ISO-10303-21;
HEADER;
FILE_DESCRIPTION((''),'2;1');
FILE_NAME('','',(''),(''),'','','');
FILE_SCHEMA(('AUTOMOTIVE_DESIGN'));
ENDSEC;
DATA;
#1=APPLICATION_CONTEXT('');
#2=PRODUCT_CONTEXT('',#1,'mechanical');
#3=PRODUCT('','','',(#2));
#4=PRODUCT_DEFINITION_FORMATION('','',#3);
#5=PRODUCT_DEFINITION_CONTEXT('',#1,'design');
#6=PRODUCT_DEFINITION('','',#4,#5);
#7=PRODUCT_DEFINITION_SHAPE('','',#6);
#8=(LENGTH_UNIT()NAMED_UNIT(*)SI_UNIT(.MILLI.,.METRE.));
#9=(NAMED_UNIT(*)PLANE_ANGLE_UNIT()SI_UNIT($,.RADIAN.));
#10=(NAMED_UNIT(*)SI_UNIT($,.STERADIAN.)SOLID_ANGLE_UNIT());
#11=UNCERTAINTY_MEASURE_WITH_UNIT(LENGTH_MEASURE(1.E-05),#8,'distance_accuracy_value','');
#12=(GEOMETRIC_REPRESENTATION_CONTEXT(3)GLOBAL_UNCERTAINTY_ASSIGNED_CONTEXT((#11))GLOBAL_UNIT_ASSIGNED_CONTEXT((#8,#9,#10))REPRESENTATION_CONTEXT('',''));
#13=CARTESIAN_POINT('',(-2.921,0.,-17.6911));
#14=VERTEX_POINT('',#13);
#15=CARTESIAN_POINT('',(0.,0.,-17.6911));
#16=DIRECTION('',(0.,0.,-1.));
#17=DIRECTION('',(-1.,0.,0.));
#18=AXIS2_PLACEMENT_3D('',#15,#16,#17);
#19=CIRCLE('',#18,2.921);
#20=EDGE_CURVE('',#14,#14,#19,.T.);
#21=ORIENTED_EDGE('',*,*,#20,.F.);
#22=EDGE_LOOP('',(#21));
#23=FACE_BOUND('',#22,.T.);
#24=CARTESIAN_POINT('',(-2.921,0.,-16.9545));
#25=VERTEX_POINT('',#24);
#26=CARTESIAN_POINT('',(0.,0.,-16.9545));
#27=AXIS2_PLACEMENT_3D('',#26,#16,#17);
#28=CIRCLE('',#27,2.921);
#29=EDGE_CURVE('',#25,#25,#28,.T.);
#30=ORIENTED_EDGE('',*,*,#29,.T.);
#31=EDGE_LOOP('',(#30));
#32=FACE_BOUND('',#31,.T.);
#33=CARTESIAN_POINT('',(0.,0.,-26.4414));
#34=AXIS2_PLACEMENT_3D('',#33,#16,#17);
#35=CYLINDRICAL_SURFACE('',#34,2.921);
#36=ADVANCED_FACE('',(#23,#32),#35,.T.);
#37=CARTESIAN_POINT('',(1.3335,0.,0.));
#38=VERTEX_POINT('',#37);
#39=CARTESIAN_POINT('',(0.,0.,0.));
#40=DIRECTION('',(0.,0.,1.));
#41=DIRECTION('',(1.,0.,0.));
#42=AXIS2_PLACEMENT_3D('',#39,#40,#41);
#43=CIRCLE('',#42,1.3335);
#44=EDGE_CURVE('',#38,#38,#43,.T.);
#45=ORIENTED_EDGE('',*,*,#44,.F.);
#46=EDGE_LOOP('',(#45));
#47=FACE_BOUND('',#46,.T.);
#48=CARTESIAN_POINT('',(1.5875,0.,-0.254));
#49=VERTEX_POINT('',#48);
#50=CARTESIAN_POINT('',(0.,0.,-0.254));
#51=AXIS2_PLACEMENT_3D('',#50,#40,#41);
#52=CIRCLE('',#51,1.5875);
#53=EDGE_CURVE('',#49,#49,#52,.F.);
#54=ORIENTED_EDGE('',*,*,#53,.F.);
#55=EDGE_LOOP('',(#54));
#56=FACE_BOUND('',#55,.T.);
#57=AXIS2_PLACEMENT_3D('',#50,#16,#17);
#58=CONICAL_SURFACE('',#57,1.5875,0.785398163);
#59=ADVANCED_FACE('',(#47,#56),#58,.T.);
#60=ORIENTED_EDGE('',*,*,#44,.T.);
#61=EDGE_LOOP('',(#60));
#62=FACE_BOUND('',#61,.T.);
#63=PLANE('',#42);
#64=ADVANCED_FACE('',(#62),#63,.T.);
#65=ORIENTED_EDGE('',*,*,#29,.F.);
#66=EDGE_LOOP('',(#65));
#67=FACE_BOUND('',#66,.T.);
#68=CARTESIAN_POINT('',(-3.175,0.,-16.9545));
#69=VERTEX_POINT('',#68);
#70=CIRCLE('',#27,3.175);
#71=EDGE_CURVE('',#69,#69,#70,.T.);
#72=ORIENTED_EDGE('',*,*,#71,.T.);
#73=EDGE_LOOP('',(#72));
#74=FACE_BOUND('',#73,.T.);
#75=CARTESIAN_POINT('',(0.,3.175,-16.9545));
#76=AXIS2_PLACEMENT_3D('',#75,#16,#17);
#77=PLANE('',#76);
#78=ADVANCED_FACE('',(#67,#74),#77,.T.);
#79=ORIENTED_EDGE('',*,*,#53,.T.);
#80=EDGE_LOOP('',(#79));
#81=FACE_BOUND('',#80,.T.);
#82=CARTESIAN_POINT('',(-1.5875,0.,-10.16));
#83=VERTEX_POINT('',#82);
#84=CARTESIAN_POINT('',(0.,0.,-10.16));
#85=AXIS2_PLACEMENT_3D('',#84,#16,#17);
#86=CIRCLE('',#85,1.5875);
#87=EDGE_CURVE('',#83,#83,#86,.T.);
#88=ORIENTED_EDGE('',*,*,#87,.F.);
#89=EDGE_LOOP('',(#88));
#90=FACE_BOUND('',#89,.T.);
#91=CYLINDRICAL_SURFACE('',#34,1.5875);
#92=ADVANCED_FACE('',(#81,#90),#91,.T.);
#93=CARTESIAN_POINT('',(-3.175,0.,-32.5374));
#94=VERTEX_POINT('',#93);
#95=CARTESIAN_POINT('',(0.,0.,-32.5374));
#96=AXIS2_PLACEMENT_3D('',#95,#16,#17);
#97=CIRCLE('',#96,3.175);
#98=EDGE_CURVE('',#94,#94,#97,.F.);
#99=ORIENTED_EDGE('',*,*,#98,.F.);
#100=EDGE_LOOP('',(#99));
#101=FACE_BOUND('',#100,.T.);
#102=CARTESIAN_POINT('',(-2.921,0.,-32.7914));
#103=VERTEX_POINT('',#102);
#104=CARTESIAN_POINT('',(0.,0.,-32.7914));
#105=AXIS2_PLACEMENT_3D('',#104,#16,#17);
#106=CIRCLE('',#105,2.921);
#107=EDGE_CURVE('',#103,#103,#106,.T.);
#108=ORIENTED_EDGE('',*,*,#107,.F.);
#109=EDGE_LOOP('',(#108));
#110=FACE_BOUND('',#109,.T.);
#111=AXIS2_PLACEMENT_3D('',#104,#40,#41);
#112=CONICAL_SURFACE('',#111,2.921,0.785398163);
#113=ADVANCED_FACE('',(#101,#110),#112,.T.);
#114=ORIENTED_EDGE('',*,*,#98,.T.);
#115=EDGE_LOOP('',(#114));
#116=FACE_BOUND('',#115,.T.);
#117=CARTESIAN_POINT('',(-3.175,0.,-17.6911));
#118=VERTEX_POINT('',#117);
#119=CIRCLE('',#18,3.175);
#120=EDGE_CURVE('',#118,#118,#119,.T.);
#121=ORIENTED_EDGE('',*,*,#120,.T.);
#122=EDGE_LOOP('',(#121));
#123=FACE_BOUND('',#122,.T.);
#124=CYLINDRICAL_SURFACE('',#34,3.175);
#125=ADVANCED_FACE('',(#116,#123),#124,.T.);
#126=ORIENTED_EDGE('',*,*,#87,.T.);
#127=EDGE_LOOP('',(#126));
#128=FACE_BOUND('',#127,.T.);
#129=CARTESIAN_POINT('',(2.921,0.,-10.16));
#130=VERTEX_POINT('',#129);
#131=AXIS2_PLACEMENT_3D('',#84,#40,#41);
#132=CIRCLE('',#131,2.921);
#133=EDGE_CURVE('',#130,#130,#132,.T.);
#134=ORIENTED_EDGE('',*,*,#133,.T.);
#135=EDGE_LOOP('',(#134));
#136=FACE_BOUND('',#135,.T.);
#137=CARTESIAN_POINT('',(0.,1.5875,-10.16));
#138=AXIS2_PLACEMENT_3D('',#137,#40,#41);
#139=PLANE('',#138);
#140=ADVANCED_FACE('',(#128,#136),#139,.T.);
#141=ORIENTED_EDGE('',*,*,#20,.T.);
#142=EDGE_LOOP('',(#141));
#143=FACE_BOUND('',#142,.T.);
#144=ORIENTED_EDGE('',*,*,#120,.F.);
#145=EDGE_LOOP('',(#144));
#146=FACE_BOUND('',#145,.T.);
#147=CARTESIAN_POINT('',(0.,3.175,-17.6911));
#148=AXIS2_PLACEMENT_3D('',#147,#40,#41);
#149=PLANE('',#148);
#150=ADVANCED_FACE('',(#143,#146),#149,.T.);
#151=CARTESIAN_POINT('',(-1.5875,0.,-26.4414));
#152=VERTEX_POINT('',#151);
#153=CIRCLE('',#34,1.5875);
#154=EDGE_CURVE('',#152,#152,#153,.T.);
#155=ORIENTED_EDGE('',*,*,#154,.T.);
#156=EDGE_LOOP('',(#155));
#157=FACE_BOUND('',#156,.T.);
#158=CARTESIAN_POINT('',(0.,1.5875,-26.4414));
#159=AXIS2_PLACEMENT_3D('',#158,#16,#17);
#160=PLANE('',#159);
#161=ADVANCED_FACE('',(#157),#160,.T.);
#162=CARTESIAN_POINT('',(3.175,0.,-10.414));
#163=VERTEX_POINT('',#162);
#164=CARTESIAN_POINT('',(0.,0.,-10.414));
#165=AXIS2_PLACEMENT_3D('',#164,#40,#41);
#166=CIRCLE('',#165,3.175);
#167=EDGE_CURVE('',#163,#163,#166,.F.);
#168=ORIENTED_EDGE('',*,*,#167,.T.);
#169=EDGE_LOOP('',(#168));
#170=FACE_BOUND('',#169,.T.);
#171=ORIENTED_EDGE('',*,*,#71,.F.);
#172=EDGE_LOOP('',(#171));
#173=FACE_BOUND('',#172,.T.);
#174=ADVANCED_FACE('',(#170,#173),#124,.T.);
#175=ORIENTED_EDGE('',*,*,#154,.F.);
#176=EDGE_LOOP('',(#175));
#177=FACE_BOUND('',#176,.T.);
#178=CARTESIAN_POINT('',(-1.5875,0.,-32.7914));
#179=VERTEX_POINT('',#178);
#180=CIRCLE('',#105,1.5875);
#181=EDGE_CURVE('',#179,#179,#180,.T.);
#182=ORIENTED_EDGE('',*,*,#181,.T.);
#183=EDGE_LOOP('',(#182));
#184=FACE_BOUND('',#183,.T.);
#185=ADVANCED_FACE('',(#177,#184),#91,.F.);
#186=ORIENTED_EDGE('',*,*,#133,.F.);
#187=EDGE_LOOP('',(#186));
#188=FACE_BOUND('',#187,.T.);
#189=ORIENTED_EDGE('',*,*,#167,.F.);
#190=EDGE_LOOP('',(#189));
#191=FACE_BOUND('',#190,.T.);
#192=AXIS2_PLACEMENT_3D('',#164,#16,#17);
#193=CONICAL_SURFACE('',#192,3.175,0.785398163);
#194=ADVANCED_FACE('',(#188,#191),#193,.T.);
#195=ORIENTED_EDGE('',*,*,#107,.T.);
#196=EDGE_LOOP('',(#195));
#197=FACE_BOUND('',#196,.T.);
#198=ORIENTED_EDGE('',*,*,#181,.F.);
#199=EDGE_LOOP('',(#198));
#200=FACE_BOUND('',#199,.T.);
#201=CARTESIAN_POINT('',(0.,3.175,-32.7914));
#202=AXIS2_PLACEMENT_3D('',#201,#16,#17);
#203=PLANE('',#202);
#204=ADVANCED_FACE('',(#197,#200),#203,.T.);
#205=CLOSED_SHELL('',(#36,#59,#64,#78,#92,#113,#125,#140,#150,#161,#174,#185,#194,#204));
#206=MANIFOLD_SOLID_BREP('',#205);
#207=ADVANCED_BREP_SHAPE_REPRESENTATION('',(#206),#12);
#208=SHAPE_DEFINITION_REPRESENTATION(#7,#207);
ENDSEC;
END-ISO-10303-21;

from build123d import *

# Parameters (mm, degrees)
CHAMFER1_SIZE = 0.254


with BuildPart() as part:
    # Sketch1 → Revolve1 (revolve)
    with BuildSketch(Plane(origin=(0, 0, 0), x_dir=(0, 0, -1), z_dir=(1, 0, 0)), mode=Mode.PRIVATE) as revolve1_sk:
        Polygon((0, 0), (0, 1.5875), (10.16, 1.5875), (10.16, 3.175), (16.9545, 3.175), (16.9545, 2.921), (17.6911, 2.921), (17.6911, 3.175), (32.7914, 3.175), (32.7914, 1.5875), (26.4414, 1.5875), (26.4414, 0), align=None)
    revolve(revolve1_sk.sketch.rotate(Axis((0, 0, -26.4414), (0, 0, 1)), 90), axis=Axis((0, 0, -26.4414), (0, 0, 1)))

    # Chamfer1
    chamfer1_edges = [part.edges().sort_by_distance(p)[0] for p in [
        (3.175, 0, -10.16),
        (1.5875, 0, 0),
        (3.175, 0, -32.7914),
    ]]
    chamfer(chamfer1_edges, length=CHAMFER1_SIZE)


solid = part.part
